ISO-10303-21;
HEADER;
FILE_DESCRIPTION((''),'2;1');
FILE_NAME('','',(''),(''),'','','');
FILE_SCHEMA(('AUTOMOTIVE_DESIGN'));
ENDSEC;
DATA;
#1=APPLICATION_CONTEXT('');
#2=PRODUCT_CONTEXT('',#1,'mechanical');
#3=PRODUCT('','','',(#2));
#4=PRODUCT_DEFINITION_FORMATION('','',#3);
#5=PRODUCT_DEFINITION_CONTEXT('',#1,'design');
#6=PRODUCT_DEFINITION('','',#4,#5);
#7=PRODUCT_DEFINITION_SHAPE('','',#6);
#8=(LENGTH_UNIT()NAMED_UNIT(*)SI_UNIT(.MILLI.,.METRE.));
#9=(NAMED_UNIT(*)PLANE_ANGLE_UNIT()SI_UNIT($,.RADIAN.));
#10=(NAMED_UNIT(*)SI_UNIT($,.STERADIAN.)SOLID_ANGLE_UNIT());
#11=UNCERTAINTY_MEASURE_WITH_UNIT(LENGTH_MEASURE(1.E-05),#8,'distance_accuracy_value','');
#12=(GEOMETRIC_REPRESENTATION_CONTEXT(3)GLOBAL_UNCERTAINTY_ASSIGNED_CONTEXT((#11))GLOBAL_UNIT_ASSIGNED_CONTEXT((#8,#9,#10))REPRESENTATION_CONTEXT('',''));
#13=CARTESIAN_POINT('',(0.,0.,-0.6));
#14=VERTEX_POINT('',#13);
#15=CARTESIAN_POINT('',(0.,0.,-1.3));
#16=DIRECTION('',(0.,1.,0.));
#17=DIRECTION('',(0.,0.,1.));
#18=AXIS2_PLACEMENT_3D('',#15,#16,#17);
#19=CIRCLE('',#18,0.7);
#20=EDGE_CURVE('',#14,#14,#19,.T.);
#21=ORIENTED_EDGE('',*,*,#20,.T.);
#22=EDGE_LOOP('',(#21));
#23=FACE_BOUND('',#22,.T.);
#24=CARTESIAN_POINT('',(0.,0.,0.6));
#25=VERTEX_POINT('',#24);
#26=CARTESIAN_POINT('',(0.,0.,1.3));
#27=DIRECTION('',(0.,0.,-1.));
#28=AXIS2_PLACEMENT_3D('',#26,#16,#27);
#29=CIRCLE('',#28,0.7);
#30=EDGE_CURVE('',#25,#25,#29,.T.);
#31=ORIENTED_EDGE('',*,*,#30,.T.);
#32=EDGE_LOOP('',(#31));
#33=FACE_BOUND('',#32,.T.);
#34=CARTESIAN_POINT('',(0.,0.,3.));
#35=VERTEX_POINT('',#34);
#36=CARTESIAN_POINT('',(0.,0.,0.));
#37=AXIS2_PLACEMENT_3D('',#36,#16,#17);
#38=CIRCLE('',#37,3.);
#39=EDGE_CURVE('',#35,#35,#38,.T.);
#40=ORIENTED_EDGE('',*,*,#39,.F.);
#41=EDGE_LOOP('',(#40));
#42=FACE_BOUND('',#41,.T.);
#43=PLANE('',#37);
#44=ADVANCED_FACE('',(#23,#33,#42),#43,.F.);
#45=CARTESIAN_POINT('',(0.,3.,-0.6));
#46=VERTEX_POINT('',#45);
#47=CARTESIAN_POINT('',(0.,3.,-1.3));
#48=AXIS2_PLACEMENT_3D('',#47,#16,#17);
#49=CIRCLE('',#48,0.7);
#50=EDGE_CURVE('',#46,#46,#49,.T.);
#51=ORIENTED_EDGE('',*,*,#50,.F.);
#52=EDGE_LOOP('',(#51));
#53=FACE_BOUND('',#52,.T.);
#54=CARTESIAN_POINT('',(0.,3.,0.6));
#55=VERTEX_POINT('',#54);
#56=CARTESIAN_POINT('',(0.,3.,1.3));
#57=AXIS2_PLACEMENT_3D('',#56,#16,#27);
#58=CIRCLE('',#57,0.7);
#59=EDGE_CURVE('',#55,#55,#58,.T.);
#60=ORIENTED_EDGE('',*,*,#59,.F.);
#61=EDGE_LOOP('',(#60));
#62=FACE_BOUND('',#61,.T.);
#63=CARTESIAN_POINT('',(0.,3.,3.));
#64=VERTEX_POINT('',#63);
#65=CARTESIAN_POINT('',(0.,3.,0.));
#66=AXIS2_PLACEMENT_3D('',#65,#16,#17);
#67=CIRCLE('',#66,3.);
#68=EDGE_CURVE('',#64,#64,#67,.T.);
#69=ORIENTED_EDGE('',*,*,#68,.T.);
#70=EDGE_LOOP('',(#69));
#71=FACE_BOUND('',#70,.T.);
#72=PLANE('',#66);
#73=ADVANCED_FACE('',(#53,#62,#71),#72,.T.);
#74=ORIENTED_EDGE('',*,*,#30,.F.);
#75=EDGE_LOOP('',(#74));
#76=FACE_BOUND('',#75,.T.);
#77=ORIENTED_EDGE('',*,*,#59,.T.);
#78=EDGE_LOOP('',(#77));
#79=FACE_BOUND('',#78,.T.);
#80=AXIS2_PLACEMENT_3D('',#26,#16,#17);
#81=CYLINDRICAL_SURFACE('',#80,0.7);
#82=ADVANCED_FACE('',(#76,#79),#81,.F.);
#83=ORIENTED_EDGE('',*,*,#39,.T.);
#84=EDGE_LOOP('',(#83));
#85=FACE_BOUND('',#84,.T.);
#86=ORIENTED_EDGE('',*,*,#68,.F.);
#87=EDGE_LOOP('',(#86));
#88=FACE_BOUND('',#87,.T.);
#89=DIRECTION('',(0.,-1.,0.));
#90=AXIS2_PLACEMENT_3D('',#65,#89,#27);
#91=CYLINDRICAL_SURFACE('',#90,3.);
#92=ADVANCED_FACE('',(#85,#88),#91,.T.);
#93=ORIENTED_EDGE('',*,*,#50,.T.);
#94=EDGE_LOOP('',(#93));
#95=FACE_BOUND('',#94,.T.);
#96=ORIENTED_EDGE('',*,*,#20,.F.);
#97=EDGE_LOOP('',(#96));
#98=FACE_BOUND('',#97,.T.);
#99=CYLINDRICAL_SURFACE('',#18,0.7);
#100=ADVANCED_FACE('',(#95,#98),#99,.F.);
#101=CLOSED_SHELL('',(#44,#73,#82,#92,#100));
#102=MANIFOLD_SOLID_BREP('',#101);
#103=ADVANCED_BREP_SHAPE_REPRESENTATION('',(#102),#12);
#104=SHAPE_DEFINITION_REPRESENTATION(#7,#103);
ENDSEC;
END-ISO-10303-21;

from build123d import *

# Parameters (mm, degrees)
SKETCH_1_R          = 3
EXTRUDE_1_DEPTH     = 3
SKETCH_2_R          = 0.7
CUT_EXTRUDE_1_DEPTH = 3


with BuildPart() as part:
    # 草图1 → 凸台-拉伸1 (new body)
    with BuildSketch(Plane(origin=(0, 0, 0), x_dir=(1, 0, 0), z_dir=(0, 1, 0))):
        Circle(SKETCH_1_R)
    extrude(amount=EXTRUDE_1_DEPTH)

    # 草图2 → 切除-拉伸1 (cut)
    with BuildSketch(Plane(origin=(0, 3, 0), x_dir=(1, 0, 0), z_dir=(0, 1, 0))):
        with Locations((0, 1.3)):
            Circle(SKETCH_2_R)
        with Locations((0, -1.3)):
            Circle(SKETCH_2_R)
    extrude(amount=-CUT_EXTRUDE_1_DEPTH, mode=Mode.SUBTRACT)


solid = part.part
